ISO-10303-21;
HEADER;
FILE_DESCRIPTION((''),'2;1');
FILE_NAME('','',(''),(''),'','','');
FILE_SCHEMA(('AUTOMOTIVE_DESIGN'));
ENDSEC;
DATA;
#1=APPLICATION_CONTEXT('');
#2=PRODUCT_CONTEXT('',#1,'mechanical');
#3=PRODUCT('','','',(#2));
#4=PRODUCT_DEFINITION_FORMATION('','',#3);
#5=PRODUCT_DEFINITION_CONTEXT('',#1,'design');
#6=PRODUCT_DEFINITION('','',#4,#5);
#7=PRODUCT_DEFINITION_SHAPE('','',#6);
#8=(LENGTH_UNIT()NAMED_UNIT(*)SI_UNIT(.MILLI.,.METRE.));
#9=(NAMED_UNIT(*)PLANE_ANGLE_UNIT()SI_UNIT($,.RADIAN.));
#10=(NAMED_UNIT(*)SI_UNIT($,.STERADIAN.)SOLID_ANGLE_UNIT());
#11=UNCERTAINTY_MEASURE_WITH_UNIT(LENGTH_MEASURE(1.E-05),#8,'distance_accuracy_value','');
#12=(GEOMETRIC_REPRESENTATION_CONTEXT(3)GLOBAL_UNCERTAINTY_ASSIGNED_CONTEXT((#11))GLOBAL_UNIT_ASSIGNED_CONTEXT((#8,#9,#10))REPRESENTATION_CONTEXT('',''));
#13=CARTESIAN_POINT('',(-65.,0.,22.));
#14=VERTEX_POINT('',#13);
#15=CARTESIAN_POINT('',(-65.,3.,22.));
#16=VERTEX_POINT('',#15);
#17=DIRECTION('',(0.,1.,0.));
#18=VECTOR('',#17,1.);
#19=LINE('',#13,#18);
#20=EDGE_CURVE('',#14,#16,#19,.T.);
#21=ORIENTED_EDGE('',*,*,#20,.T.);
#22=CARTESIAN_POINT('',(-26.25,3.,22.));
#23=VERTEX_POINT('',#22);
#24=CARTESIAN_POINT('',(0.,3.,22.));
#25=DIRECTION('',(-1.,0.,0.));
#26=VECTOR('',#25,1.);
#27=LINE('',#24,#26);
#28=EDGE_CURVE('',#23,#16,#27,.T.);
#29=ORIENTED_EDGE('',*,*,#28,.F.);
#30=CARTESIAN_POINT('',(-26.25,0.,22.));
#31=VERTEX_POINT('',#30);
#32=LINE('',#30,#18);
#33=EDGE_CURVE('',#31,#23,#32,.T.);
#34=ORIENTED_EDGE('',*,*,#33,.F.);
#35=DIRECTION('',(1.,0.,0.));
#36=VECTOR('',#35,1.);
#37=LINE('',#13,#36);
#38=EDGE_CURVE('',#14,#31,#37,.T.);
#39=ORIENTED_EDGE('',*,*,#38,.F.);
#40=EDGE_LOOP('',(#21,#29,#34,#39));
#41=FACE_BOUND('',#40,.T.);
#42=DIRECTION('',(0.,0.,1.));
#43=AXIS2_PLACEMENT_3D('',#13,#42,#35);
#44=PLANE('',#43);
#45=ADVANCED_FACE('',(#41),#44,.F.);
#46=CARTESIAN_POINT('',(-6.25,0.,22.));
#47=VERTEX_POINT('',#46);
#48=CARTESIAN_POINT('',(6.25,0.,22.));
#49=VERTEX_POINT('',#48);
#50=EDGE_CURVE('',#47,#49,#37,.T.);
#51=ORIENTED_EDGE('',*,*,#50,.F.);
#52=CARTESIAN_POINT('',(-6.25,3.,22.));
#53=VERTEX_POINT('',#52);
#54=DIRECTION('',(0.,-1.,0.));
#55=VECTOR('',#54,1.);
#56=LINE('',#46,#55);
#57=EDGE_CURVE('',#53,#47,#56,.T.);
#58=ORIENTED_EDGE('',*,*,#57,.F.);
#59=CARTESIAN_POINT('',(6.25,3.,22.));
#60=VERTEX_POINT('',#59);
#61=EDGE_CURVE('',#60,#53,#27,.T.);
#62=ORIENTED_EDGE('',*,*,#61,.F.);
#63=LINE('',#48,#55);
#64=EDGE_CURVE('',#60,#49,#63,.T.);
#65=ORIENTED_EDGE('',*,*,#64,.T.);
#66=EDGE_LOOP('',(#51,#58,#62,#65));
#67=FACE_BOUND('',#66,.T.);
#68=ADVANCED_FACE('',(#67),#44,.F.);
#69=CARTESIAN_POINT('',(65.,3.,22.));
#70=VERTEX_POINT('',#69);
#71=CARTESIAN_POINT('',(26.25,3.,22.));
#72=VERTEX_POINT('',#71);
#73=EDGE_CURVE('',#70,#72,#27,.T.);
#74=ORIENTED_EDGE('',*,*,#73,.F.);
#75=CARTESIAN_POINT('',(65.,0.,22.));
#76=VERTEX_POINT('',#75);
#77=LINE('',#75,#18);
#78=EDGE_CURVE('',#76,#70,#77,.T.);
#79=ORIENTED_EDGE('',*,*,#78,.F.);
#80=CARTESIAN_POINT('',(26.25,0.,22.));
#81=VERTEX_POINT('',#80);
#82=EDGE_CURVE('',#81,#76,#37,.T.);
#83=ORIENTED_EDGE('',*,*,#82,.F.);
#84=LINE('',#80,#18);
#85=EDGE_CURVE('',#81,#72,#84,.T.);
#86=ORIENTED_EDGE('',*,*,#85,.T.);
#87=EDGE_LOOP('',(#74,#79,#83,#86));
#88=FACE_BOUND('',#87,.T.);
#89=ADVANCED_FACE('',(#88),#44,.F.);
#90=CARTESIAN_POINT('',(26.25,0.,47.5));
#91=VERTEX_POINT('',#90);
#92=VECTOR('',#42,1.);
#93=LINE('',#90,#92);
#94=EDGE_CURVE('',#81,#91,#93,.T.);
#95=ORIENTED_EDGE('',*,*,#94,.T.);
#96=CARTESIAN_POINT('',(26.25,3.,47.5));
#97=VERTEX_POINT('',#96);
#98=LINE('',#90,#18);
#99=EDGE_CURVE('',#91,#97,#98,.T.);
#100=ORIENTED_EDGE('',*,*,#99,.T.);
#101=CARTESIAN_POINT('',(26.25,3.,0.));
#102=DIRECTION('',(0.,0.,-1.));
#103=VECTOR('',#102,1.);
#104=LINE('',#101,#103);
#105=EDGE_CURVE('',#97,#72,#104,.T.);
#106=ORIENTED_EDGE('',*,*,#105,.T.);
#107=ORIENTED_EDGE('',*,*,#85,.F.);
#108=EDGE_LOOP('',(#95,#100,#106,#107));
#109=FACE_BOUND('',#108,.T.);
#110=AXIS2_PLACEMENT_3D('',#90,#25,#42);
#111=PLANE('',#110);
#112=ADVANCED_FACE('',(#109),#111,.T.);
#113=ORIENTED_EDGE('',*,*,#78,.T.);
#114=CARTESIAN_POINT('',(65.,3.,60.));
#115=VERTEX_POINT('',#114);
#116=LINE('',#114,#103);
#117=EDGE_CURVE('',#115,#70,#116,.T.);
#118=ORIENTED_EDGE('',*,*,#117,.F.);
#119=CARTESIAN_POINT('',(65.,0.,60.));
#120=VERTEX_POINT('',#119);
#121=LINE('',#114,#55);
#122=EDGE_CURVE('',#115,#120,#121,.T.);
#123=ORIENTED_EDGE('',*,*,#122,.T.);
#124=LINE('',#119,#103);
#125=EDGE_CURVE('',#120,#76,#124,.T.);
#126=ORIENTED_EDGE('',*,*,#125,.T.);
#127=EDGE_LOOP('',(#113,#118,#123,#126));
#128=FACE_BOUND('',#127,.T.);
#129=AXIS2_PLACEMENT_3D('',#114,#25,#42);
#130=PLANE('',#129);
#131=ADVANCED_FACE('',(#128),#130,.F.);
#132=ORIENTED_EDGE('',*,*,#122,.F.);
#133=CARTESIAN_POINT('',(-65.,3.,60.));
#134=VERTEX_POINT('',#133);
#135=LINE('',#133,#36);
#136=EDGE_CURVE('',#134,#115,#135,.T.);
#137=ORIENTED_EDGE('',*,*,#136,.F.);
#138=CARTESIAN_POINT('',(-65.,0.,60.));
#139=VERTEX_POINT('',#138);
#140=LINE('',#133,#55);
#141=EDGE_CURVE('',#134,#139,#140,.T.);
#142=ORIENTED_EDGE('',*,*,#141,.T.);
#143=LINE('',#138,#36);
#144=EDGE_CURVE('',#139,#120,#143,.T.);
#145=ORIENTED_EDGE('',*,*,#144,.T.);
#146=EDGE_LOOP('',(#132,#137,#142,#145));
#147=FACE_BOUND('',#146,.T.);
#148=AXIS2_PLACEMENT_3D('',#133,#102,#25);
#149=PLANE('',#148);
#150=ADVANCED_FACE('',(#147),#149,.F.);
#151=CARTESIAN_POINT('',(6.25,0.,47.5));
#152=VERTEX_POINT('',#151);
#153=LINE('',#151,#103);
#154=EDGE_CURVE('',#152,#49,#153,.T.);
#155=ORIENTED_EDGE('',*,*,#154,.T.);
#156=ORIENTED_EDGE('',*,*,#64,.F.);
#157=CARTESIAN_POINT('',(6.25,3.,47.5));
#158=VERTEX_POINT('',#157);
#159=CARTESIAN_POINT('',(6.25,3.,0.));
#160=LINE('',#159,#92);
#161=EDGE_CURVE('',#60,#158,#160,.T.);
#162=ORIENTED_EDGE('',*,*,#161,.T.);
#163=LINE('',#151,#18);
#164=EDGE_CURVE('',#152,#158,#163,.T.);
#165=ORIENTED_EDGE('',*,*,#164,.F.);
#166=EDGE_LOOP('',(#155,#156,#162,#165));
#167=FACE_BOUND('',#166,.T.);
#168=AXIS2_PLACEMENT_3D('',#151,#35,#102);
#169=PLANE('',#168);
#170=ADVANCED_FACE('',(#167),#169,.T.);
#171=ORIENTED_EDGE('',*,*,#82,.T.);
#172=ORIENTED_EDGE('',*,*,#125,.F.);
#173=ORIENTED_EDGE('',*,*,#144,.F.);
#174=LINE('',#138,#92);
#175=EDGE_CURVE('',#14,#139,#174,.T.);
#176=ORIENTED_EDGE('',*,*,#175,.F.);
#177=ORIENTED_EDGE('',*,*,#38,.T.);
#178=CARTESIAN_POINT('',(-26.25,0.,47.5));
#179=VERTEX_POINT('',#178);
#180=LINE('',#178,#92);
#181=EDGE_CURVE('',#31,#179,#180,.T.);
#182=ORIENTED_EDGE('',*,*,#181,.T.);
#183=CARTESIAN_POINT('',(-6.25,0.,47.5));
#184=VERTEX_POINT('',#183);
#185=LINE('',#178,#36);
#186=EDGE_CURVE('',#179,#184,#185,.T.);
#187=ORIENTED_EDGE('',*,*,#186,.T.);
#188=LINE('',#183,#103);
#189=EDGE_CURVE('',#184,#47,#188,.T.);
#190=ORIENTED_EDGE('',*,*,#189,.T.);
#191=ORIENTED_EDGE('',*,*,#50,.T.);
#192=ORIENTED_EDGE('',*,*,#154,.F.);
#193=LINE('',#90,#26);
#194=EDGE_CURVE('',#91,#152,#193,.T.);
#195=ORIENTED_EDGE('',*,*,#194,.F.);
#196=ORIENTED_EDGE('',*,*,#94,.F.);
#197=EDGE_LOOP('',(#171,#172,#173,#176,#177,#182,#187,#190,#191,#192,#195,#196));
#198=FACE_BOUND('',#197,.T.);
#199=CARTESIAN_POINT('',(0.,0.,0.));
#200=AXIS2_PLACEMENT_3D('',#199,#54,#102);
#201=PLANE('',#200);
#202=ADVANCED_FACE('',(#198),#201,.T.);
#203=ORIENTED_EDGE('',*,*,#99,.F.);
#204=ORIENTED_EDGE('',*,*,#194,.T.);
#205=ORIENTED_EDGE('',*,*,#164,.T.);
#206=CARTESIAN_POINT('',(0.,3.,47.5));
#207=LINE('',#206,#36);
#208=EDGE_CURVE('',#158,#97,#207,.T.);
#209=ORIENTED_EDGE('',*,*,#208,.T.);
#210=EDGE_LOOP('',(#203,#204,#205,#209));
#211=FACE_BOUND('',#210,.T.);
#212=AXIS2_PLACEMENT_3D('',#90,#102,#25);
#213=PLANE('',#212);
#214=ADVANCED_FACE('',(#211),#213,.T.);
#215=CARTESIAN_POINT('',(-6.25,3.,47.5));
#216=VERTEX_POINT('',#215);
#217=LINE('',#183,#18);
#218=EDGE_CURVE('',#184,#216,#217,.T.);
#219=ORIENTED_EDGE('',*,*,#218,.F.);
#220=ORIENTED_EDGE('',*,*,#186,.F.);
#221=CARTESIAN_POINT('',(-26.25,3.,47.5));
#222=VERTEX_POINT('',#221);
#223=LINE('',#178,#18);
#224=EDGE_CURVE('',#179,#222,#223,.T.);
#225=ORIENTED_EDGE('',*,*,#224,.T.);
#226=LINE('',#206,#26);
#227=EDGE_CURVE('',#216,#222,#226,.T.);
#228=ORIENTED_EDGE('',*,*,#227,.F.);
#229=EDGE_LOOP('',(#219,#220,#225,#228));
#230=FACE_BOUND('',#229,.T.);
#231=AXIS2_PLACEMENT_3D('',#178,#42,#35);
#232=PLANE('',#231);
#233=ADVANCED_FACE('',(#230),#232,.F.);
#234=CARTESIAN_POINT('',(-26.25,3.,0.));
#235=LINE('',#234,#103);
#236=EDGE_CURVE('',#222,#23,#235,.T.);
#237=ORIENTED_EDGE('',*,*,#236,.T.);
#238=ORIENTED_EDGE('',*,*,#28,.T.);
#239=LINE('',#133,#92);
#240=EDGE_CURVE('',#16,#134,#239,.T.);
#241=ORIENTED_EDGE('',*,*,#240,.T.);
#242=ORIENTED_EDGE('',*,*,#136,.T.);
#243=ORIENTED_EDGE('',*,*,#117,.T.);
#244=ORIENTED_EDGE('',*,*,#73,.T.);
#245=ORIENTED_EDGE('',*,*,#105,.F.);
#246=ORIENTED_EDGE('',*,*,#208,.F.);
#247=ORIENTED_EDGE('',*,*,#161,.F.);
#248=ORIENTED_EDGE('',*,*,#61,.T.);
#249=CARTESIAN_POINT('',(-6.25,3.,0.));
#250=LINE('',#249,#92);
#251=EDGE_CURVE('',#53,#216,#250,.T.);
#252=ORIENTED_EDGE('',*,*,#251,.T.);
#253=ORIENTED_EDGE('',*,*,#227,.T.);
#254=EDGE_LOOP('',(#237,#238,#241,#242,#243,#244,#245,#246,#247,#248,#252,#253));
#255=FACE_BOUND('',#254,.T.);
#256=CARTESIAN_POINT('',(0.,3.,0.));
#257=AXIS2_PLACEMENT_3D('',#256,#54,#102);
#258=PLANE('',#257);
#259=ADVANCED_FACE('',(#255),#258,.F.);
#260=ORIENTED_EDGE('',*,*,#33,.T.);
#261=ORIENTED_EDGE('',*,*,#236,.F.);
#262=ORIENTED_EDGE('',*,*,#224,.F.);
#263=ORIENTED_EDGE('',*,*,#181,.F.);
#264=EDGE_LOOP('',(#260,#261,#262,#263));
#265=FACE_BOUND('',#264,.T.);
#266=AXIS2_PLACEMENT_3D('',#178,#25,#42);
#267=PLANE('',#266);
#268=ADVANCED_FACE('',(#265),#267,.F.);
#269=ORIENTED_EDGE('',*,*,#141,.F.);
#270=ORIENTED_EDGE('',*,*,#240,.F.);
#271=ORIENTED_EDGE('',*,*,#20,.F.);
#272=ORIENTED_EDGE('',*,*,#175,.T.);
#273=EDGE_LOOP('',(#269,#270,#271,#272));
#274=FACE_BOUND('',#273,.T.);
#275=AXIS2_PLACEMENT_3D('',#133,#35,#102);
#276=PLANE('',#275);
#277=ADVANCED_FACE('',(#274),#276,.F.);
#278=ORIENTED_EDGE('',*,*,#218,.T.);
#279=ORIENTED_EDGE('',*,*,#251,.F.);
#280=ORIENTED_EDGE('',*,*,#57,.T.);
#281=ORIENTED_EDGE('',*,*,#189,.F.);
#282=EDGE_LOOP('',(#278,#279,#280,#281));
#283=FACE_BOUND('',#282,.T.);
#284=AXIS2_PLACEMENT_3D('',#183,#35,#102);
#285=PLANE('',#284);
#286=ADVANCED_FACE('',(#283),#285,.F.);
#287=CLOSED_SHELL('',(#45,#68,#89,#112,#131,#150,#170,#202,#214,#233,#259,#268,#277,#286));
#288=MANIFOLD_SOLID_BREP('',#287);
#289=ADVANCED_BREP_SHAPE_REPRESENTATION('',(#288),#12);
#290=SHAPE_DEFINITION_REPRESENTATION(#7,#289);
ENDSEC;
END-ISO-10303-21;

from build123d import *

# Parameters (mm, degrees)
SKETCH1_W               = 130
SKETCH1_H               = 120
BOSS_EXTRUDE1_DEPTH     = 3
CUT_EXTRUDE1_START      = -4
SKETCH2_W               = 20
SKETCH2_H               = 95
CUT_EXTRUDE1_DEPTH      = 5
CUT_EXTRUDE2_START      = -4
SKETCH3_R               = 1.6
CUT_EXTRUDE2_DEPTH      = 5
SKETCH4_W               = 130
SKETCH4_H               = 82
CUT_EXTRUDE3_DEPTH      = 1
CUT_EXTRUDE3_DEPTH_BACK = 4


with BuildPart() as part:
    # Sketch1 → Boss-Extrude1 (new body)
    with BuildSketch(Plane(origin=(0, 0, 0), x_dir=(1, 0, 0), z_dir=(0, 1, 0))):
        Rectangle(SKETCH1_W, SKETCH1_H)
    extrude(amount=BOSS_EXTRUDE1_DEPTH)

    # Sketch2 → Cut-Extrude1 (cut)
    with BuildSketch(Plane(origin=(0, 3, 0), x_dir=(1, 0, 0), z_dir=(0, 1, 0)).offset(CUT_EXTRUDE1_START)):
        with Locations((-16.25, 0)):
            Rectangle(SKETCH2_W, SKETCH2_H)
    cut_extrude1 = extrude(amount=CUT_EXTRUDE1_DEPTH, mode=Mode.SUBTRACT)

    # Mirror1: Cut-Extrude1 across plane
    add(cut_extrude1.mirror(Plane(origin=(0, 0, 0), x_dir=(0, 0, 1), z_dir=(1, 0, 0))), mode=Mode.SUBTRACT)

    # Sketch3 → Cut-Extrude2 (cut)
    with BuildSketch(Plane(origin=(0, 3, 0), x_dir=(1, 0, 0), z_dir=(0, 1, 0)).offset(CUT_EXTRUDE2_START)):
        with Locations((44.5, 0)):
            Circle(SKETCH3_R)
    cut_extrude2 = extrude(amount=CUT_EXTRUDE2_DEPTH, mode=Mode.SUBTRACT)

    # Mirror2: Cut-Extrude2 across plane
    add(cut_extrude2.mirror(Plane(origin=(0, 0, 0), x_dir=(0, 0, 1), z_dir=(1, 0, 0))), mode=Mode.SUBTRACT)

    # Sketch4 → Cut-Extrude3 (cut, two sides)
    with BuildSketch(Plane(origin=(0, 3, 0), x_dir=(1, 0, 0), z_dir=(0, 1, 0))) as cut_extrude3_sk:
        with Locations((0, 19)):
            Rectangle(SKETCH4_W, SKETCH4_H)
    extrude(amount=CUT_EXTRUDE3_DEPTH, mode=Mode.SUBTRACT)
    extrude(cut_extrude3_sk.sketch, amount=-CUT_EXTRUDE3_DEPTH_BACK, mode=Mode.SUBTRACT)


solid = part.part
